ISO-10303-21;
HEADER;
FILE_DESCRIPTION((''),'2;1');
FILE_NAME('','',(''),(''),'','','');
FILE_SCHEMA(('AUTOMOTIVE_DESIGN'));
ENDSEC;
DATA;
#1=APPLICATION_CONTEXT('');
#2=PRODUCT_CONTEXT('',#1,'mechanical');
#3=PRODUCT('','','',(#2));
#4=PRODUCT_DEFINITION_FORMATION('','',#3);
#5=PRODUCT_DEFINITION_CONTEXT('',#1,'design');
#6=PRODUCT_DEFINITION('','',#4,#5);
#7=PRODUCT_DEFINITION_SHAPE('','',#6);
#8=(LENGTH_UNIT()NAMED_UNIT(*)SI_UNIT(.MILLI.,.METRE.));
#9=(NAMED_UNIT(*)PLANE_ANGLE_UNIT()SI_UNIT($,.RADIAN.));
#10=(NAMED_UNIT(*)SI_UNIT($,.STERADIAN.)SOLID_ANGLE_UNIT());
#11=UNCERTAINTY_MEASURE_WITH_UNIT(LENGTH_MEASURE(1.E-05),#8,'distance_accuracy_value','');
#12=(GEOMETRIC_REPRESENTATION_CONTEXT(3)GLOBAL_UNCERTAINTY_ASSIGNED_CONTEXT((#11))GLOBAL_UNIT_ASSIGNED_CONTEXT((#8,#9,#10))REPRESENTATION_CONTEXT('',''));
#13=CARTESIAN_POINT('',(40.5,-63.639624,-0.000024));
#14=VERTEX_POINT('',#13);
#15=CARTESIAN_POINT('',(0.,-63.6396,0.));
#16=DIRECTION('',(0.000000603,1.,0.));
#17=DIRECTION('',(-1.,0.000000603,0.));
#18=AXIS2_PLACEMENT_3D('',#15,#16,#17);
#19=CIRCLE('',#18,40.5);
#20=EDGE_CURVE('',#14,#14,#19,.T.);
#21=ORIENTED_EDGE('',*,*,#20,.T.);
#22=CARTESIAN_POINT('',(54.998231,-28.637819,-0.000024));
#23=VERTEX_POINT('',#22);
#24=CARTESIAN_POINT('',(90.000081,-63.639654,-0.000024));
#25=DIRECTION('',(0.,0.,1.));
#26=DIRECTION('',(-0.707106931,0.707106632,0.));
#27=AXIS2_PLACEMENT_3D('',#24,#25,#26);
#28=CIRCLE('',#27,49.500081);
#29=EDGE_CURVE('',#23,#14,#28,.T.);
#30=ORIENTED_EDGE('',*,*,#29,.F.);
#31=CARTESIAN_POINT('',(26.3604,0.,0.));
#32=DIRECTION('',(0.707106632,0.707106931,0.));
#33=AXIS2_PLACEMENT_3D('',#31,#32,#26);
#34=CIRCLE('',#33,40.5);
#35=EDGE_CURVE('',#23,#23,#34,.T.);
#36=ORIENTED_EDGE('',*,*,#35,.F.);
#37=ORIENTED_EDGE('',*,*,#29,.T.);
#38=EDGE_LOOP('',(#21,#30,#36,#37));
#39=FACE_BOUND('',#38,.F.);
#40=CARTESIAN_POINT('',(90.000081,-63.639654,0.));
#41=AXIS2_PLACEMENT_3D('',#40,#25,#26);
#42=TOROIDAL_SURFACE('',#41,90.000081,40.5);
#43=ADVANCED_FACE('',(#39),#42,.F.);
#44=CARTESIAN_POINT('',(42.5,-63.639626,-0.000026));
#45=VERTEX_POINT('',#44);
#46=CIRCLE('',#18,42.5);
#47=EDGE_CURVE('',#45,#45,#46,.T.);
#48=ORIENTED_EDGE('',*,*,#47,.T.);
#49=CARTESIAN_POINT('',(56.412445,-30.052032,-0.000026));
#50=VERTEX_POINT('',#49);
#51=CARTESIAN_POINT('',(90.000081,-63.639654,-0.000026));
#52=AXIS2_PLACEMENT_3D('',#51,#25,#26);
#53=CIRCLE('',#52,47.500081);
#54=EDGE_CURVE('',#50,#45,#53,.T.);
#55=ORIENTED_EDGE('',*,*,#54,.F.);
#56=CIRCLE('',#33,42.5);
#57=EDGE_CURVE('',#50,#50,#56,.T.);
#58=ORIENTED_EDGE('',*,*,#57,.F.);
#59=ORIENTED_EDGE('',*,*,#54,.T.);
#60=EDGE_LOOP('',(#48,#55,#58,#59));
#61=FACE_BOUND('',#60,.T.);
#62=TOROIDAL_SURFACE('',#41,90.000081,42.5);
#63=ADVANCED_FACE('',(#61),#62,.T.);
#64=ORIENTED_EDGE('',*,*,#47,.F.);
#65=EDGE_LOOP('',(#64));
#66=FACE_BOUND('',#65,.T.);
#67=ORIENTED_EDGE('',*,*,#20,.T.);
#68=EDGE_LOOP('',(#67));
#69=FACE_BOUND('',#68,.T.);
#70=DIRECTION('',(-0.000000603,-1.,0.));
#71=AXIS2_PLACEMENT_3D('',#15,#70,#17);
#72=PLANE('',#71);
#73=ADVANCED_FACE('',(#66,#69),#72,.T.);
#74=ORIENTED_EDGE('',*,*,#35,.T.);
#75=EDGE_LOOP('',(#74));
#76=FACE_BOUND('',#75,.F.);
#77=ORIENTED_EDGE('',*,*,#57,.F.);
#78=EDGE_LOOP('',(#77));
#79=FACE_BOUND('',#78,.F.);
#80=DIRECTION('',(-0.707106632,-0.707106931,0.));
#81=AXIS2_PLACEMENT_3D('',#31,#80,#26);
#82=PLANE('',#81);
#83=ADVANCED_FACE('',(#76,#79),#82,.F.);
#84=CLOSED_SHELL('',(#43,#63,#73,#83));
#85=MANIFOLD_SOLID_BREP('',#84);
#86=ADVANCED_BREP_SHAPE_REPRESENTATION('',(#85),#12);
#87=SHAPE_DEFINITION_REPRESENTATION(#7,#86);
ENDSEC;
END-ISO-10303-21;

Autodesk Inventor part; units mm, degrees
ref_plane "YZ Plane" through (0, 0, 0) normal (1, 0, 0) x (0, 1, 0)
ref_plane "XZ Plane" through (0, 0, 0) normal (0, 1, 0) x (-1, 0, 0)
sketch "Szkic6" plane through (0, 0, 0) normal (0, 0, 1) x (1, 0, 0)
  line L0 (-29.6067, 0) -> (35.2678, 0) construction
  line L1 (0, 42.3419) -> (0, -58.3726) construction
  arc A0 (26.3604, 0) -> (0, -63.6396) centre (90, -63.6396) ccw
  line L2 (0, -63.6396) -> (90, -63.6396) construction
  line L3 (90, -63.6396) -> (43.6611, -17.3007) construction
  line L4 (26.3604, 0) -> (26.3604, 0)
  line L5 (0, -63.6396) -> (0, -63.6396)
  point P0 (0, 0)
  dimension "d24" = 90
  dimension "d31" = 45
  dimension "d36" = 0
  dimension "d37" = 0
ref_plane "Płaszczyzna konstrukcyjna2" through (0, -63.6396, 0) normal (0, -1, 0) x (1, 0, 0)
sketch "Szkic8" plane through (0, -63.6396, 0) normal (0, -1, 0) x (1, 0, 0)
  circle A0 centre (0, 0) radius 42.5
  circle A1 centre (0, 0) radius 40.5
  dimension "d32" = 85
  dimension "d33" = 2
sweep "Przeciągnięcie2" add profiles "Szkic8" path "Szkic6"
equation "\"d32\" = OD"
equation "\"d33\" = THK"
equation "\"d24\" = R"
equation "\"d31\" = KAT"
equation "\"SzerokośćGięciaPodcięcia\" = Grubość"
equation "\"RozmiarPodcięciaNarożnika\" = 4 * Grubość"
equation "\"PromieńPrzejścia\" = PromieńGięcia"
equation "\"Rozmiar_promienia_Jacobiego\" = PromieńGięcia"
equation "\"Wielk_odstępu\" = Grubość"
equation "\"d2\" = PromieńGięcia"
equation "\"d23\" = PromieńGięcia"
equation "\"R\" = 90"
equation "\"OD\" = 85"
equation "\"THK\" = 2"
equation "\"KAT\" = 45deg"
equation "\"PROSTKA\" = 0"
equation "\"Grubość\" = 1.5"
equation "\"PromieńGięcia\" = 3"
properties part number "Kolano 45° ø85x2 R90" material "304L"
